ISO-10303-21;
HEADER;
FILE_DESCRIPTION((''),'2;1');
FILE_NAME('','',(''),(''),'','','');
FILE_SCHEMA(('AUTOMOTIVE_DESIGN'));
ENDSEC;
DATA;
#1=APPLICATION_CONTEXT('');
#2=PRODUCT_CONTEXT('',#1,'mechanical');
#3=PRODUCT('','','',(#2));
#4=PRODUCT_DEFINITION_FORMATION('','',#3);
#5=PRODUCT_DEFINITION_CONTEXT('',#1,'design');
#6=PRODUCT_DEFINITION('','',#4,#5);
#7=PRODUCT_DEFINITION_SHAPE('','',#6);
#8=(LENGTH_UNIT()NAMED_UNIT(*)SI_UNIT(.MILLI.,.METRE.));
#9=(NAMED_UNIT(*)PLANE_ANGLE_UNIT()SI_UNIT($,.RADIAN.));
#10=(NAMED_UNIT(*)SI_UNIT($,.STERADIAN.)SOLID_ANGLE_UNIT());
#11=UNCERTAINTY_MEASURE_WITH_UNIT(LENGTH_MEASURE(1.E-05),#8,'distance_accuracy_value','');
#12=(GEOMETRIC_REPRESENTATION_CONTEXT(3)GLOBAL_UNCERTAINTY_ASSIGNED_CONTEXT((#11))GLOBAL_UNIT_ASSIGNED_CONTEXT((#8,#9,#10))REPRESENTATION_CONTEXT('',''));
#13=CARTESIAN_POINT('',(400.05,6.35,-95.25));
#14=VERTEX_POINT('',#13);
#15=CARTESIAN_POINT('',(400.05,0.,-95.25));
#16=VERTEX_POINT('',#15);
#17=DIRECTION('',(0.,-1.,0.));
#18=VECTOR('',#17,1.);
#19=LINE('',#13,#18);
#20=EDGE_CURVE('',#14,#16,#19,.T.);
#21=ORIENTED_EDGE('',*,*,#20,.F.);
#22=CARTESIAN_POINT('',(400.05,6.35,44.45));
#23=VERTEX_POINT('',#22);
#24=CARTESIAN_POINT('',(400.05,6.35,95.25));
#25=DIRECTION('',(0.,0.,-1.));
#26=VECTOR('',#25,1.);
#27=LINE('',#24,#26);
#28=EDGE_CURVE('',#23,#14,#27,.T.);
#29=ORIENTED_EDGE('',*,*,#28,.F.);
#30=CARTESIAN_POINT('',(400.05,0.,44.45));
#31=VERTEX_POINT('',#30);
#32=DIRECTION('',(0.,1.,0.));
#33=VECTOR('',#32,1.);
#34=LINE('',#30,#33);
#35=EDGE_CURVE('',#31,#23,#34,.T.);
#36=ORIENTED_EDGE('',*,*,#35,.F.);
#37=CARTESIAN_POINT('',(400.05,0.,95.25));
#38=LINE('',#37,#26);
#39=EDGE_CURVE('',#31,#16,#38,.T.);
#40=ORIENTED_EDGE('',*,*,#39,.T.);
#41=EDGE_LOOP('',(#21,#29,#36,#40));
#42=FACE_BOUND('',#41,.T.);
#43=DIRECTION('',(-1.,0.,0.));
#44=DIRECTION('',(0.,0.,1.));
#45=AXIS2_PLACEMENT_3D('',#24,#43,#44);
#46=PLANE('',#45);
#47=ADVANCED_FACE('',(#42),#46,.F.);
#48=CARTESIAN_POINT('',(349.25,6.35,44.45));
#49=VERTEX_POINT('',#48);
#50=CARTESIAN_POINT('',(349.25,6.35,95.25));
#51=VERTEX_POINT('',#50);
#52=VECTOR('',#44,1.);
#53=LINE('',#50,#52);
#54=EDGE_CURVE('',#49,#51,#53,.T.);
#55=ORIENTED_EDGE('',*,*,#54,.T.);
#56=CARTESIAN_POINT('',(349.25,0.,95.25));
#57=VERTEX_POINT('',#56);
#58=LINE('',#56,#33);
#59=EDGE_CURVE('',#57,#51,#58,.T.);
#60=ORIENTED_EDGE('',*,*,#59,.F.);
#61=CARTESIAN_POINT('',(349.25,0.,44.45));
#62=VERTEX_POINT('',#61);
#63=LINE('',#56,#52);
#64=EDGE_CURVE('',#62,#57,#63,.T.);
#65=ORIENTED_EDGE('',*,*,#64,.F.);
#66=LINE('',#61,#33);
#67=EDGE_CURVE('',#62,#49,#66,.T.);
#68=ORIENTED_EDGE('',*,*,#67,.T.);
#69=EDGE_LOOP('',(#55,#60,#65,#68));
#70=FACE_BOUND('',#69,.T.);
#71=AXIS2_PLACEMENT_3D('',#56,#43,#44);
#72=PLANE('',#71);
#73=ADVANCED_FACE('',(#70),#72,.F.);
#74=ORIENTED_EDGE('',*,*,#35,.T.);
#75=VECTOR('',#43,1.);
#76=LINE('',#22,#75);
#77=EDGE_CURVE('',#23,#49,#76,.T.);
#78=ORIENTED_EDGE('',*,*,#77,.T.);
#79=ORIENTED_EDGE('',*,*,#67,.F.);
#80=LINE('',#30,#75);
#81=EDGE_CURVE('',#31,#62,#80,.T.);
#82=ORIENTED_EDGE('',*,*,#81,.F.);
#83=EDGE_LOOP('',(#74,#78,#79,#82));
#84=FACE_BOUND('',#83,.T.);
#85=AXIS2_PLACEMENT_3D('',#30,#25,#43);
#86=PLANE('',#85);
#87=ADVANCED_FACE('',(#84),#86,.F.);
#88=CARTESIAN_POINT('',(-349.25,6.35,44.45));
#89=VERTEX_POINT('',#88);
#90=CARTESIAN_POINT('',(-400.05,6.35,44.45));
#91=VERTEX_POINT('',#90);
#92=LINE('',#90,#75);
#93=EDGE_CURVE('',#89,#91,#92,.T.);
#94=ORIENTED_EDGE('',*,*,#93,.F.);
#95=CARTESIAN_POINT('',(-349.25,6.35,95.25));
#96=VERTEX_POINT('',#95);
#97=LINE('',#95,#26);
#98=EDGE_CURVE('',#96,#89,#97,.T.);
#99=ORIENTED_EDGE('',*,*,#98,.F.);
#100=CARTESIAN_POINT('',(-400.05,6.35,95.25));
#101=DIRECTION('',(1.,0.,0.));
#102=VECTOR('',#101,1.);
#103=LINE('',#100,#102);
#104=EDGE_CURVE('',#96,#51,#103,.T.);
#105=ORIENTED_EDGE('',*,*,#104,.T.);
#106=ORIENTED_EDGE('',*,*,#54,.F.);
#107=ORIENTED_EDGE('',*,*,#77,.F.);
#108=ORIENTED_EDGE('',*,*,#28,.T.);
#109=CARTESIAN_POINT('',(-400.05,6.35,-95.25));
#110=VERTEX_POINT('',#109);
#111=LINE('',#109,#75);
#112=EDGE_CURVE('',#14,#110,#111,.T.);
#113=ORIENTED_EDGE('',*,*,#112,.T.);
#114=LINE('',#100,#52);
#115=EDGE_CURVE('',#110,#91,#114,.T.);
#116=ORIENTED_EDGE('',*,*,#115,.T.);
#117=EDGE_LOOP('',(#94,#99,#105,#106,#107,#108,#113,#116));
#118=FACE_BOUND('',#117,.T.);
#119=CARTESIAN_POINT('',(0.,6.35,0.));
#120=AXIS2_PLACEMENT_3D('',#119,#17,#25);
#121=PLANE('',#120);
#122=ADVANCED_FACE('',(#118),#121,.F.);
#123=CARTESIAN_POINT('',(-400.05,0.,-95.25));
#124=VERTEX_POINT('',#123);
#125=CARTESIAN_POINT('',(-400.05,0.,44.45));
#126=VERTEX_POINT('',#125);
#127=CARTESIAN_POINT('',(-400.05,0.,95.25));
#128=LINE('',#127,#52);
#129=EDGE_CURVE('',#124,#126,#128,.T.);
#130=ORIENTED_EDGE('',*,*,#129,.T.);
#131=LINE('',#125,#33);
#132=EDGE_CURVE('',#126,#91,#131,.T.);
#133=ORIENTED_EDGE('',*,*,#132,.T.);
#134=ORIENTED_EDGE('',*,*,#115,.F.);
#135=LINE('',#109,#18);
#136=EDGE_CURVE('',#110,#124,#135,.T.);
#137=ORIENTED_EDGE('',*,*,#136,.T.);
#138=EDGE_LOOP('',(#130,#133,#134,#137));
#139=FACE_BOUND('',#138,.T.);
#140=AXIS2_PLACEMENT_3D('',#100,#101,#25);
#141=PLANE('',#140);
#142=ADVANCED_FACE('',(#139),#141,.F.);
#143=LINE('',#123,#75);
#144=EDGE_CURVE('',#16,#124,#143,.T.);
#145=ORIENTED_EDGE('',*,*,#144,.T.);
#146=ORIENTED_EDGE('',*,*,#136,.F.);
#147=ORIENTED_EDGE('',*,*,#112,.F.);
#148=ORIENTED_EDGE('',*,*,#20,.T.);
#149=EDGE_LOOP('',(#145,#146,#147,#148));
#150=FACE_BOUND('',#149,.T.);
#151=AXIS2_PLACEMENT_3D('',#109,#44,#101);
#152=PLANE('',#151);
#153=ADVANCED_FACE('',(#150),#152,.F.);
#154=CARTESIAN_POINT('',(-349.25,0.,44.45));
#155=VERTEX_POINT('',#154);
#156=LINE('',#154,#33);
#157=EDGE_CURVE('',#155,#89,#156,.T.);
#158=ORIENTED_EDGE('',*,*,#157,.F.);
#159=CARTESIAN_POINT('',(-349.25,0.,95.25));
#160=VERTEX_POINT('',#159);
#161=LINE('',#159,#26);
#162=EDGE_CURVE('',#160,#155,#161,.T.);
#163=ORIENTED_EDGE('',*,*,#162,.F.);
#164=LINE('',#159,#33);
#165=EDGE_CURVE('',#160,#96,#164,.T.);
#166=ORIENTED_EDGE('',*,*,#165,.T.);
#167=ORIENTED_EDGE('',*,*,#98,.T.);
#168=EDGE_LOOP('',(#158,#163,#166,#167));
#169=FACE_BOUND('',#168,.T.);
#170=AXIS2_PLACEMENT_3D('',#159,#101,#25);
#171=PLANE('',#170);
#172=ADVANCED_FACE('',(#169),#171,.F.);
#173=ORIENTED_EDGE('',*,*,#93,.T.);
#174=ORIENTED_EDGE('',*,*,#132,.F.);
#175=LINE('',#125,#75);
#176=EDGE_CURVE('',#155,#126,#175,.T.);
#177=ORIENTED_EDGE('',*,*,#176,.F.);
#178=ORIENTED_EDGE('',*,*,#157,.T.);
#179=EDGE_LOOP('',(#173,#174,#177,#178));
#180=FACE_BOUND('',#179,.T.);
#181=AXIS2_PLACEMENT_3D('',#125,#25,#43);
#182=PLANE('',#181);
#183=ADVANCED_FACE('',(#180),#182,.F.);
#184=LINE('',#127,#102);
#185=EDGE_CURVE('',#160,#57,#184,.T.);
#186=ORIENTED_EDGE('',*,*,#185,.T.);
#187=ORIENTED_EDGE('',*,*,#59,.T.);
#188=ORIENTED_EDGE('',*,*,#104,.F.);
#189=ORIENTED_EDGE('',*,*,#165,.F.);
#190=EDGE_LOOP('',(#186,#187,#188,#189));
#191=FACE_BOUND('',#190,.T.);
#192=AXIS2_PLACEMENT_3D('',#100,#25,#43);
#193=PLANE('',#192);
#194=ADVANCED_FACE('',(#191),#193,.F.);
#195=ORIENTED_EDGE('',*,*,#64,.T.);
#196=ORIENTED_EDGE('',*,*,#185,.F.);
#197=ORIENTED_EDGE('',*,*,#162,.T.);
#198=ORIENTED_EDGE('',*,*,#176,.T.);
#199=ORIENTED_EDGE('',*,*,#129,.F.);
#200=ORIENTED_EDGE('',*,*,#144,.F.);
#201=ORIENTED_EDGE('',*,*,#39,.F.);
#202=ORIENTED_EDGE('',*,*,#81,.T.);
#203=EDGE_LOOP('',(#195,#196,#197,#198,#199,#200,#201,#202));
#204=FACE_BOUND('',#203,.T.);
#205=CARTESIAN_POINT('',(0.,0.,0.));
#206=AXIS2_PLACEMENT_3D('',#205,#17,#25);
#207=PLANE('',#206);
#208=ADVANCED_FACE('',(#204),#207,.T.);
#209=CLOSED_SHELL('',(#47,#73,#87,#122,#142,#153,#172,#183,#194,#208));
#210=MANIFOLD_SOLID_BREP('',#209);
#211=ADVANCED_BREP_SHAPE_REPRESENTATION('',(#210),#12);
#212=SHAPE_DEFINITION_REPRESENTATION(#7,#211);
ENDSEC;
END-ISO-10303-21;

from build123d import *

# Parameters (mm, degrees)
SKETCH1_W           = 800.1
SKETCH1_H           = 190.5
BOSS_EXTRUDE1_DEPTH = 6.35
SKETCH2_W           = 50.8
SKETCH2_H           = 50.8
CUT_EXTRUDE1_DEPTH  = 412.282004834


with BuildPart() as part:
    # Sketch1 → Boss-Extrude1 (new body)
    with BuildSketch(Plane(origin=(0, 0, 0), x_dir=(1, 0, 0), z_dir=(0, 1, 0))):
        Rectangle(SKETCH1_W, SKETCH1_H)
    extrude(amount=BOSS_EXTRUDE1_DEPTH)

    # Sketch2 → Cut-Extrude1 (cut, through all)
    with BuildSketch(Plane(origin=(0, 6.35, 0), x_dir=(1, 0, 0), z_dir=(0, 1, 0))):
        with Locations((374.65, -69.85)):
            Rectangle(SKETCH2_W, SKETCH2_H)
        with Locations((-374.65, -69.85)):
            Rectangle(SKETCH2_W, SKETCH2_H)
    extrude(amount=-CUT_EXTRUDE1_DEPTH, mode=Mode.SUBTRACT)


solid = part.part
